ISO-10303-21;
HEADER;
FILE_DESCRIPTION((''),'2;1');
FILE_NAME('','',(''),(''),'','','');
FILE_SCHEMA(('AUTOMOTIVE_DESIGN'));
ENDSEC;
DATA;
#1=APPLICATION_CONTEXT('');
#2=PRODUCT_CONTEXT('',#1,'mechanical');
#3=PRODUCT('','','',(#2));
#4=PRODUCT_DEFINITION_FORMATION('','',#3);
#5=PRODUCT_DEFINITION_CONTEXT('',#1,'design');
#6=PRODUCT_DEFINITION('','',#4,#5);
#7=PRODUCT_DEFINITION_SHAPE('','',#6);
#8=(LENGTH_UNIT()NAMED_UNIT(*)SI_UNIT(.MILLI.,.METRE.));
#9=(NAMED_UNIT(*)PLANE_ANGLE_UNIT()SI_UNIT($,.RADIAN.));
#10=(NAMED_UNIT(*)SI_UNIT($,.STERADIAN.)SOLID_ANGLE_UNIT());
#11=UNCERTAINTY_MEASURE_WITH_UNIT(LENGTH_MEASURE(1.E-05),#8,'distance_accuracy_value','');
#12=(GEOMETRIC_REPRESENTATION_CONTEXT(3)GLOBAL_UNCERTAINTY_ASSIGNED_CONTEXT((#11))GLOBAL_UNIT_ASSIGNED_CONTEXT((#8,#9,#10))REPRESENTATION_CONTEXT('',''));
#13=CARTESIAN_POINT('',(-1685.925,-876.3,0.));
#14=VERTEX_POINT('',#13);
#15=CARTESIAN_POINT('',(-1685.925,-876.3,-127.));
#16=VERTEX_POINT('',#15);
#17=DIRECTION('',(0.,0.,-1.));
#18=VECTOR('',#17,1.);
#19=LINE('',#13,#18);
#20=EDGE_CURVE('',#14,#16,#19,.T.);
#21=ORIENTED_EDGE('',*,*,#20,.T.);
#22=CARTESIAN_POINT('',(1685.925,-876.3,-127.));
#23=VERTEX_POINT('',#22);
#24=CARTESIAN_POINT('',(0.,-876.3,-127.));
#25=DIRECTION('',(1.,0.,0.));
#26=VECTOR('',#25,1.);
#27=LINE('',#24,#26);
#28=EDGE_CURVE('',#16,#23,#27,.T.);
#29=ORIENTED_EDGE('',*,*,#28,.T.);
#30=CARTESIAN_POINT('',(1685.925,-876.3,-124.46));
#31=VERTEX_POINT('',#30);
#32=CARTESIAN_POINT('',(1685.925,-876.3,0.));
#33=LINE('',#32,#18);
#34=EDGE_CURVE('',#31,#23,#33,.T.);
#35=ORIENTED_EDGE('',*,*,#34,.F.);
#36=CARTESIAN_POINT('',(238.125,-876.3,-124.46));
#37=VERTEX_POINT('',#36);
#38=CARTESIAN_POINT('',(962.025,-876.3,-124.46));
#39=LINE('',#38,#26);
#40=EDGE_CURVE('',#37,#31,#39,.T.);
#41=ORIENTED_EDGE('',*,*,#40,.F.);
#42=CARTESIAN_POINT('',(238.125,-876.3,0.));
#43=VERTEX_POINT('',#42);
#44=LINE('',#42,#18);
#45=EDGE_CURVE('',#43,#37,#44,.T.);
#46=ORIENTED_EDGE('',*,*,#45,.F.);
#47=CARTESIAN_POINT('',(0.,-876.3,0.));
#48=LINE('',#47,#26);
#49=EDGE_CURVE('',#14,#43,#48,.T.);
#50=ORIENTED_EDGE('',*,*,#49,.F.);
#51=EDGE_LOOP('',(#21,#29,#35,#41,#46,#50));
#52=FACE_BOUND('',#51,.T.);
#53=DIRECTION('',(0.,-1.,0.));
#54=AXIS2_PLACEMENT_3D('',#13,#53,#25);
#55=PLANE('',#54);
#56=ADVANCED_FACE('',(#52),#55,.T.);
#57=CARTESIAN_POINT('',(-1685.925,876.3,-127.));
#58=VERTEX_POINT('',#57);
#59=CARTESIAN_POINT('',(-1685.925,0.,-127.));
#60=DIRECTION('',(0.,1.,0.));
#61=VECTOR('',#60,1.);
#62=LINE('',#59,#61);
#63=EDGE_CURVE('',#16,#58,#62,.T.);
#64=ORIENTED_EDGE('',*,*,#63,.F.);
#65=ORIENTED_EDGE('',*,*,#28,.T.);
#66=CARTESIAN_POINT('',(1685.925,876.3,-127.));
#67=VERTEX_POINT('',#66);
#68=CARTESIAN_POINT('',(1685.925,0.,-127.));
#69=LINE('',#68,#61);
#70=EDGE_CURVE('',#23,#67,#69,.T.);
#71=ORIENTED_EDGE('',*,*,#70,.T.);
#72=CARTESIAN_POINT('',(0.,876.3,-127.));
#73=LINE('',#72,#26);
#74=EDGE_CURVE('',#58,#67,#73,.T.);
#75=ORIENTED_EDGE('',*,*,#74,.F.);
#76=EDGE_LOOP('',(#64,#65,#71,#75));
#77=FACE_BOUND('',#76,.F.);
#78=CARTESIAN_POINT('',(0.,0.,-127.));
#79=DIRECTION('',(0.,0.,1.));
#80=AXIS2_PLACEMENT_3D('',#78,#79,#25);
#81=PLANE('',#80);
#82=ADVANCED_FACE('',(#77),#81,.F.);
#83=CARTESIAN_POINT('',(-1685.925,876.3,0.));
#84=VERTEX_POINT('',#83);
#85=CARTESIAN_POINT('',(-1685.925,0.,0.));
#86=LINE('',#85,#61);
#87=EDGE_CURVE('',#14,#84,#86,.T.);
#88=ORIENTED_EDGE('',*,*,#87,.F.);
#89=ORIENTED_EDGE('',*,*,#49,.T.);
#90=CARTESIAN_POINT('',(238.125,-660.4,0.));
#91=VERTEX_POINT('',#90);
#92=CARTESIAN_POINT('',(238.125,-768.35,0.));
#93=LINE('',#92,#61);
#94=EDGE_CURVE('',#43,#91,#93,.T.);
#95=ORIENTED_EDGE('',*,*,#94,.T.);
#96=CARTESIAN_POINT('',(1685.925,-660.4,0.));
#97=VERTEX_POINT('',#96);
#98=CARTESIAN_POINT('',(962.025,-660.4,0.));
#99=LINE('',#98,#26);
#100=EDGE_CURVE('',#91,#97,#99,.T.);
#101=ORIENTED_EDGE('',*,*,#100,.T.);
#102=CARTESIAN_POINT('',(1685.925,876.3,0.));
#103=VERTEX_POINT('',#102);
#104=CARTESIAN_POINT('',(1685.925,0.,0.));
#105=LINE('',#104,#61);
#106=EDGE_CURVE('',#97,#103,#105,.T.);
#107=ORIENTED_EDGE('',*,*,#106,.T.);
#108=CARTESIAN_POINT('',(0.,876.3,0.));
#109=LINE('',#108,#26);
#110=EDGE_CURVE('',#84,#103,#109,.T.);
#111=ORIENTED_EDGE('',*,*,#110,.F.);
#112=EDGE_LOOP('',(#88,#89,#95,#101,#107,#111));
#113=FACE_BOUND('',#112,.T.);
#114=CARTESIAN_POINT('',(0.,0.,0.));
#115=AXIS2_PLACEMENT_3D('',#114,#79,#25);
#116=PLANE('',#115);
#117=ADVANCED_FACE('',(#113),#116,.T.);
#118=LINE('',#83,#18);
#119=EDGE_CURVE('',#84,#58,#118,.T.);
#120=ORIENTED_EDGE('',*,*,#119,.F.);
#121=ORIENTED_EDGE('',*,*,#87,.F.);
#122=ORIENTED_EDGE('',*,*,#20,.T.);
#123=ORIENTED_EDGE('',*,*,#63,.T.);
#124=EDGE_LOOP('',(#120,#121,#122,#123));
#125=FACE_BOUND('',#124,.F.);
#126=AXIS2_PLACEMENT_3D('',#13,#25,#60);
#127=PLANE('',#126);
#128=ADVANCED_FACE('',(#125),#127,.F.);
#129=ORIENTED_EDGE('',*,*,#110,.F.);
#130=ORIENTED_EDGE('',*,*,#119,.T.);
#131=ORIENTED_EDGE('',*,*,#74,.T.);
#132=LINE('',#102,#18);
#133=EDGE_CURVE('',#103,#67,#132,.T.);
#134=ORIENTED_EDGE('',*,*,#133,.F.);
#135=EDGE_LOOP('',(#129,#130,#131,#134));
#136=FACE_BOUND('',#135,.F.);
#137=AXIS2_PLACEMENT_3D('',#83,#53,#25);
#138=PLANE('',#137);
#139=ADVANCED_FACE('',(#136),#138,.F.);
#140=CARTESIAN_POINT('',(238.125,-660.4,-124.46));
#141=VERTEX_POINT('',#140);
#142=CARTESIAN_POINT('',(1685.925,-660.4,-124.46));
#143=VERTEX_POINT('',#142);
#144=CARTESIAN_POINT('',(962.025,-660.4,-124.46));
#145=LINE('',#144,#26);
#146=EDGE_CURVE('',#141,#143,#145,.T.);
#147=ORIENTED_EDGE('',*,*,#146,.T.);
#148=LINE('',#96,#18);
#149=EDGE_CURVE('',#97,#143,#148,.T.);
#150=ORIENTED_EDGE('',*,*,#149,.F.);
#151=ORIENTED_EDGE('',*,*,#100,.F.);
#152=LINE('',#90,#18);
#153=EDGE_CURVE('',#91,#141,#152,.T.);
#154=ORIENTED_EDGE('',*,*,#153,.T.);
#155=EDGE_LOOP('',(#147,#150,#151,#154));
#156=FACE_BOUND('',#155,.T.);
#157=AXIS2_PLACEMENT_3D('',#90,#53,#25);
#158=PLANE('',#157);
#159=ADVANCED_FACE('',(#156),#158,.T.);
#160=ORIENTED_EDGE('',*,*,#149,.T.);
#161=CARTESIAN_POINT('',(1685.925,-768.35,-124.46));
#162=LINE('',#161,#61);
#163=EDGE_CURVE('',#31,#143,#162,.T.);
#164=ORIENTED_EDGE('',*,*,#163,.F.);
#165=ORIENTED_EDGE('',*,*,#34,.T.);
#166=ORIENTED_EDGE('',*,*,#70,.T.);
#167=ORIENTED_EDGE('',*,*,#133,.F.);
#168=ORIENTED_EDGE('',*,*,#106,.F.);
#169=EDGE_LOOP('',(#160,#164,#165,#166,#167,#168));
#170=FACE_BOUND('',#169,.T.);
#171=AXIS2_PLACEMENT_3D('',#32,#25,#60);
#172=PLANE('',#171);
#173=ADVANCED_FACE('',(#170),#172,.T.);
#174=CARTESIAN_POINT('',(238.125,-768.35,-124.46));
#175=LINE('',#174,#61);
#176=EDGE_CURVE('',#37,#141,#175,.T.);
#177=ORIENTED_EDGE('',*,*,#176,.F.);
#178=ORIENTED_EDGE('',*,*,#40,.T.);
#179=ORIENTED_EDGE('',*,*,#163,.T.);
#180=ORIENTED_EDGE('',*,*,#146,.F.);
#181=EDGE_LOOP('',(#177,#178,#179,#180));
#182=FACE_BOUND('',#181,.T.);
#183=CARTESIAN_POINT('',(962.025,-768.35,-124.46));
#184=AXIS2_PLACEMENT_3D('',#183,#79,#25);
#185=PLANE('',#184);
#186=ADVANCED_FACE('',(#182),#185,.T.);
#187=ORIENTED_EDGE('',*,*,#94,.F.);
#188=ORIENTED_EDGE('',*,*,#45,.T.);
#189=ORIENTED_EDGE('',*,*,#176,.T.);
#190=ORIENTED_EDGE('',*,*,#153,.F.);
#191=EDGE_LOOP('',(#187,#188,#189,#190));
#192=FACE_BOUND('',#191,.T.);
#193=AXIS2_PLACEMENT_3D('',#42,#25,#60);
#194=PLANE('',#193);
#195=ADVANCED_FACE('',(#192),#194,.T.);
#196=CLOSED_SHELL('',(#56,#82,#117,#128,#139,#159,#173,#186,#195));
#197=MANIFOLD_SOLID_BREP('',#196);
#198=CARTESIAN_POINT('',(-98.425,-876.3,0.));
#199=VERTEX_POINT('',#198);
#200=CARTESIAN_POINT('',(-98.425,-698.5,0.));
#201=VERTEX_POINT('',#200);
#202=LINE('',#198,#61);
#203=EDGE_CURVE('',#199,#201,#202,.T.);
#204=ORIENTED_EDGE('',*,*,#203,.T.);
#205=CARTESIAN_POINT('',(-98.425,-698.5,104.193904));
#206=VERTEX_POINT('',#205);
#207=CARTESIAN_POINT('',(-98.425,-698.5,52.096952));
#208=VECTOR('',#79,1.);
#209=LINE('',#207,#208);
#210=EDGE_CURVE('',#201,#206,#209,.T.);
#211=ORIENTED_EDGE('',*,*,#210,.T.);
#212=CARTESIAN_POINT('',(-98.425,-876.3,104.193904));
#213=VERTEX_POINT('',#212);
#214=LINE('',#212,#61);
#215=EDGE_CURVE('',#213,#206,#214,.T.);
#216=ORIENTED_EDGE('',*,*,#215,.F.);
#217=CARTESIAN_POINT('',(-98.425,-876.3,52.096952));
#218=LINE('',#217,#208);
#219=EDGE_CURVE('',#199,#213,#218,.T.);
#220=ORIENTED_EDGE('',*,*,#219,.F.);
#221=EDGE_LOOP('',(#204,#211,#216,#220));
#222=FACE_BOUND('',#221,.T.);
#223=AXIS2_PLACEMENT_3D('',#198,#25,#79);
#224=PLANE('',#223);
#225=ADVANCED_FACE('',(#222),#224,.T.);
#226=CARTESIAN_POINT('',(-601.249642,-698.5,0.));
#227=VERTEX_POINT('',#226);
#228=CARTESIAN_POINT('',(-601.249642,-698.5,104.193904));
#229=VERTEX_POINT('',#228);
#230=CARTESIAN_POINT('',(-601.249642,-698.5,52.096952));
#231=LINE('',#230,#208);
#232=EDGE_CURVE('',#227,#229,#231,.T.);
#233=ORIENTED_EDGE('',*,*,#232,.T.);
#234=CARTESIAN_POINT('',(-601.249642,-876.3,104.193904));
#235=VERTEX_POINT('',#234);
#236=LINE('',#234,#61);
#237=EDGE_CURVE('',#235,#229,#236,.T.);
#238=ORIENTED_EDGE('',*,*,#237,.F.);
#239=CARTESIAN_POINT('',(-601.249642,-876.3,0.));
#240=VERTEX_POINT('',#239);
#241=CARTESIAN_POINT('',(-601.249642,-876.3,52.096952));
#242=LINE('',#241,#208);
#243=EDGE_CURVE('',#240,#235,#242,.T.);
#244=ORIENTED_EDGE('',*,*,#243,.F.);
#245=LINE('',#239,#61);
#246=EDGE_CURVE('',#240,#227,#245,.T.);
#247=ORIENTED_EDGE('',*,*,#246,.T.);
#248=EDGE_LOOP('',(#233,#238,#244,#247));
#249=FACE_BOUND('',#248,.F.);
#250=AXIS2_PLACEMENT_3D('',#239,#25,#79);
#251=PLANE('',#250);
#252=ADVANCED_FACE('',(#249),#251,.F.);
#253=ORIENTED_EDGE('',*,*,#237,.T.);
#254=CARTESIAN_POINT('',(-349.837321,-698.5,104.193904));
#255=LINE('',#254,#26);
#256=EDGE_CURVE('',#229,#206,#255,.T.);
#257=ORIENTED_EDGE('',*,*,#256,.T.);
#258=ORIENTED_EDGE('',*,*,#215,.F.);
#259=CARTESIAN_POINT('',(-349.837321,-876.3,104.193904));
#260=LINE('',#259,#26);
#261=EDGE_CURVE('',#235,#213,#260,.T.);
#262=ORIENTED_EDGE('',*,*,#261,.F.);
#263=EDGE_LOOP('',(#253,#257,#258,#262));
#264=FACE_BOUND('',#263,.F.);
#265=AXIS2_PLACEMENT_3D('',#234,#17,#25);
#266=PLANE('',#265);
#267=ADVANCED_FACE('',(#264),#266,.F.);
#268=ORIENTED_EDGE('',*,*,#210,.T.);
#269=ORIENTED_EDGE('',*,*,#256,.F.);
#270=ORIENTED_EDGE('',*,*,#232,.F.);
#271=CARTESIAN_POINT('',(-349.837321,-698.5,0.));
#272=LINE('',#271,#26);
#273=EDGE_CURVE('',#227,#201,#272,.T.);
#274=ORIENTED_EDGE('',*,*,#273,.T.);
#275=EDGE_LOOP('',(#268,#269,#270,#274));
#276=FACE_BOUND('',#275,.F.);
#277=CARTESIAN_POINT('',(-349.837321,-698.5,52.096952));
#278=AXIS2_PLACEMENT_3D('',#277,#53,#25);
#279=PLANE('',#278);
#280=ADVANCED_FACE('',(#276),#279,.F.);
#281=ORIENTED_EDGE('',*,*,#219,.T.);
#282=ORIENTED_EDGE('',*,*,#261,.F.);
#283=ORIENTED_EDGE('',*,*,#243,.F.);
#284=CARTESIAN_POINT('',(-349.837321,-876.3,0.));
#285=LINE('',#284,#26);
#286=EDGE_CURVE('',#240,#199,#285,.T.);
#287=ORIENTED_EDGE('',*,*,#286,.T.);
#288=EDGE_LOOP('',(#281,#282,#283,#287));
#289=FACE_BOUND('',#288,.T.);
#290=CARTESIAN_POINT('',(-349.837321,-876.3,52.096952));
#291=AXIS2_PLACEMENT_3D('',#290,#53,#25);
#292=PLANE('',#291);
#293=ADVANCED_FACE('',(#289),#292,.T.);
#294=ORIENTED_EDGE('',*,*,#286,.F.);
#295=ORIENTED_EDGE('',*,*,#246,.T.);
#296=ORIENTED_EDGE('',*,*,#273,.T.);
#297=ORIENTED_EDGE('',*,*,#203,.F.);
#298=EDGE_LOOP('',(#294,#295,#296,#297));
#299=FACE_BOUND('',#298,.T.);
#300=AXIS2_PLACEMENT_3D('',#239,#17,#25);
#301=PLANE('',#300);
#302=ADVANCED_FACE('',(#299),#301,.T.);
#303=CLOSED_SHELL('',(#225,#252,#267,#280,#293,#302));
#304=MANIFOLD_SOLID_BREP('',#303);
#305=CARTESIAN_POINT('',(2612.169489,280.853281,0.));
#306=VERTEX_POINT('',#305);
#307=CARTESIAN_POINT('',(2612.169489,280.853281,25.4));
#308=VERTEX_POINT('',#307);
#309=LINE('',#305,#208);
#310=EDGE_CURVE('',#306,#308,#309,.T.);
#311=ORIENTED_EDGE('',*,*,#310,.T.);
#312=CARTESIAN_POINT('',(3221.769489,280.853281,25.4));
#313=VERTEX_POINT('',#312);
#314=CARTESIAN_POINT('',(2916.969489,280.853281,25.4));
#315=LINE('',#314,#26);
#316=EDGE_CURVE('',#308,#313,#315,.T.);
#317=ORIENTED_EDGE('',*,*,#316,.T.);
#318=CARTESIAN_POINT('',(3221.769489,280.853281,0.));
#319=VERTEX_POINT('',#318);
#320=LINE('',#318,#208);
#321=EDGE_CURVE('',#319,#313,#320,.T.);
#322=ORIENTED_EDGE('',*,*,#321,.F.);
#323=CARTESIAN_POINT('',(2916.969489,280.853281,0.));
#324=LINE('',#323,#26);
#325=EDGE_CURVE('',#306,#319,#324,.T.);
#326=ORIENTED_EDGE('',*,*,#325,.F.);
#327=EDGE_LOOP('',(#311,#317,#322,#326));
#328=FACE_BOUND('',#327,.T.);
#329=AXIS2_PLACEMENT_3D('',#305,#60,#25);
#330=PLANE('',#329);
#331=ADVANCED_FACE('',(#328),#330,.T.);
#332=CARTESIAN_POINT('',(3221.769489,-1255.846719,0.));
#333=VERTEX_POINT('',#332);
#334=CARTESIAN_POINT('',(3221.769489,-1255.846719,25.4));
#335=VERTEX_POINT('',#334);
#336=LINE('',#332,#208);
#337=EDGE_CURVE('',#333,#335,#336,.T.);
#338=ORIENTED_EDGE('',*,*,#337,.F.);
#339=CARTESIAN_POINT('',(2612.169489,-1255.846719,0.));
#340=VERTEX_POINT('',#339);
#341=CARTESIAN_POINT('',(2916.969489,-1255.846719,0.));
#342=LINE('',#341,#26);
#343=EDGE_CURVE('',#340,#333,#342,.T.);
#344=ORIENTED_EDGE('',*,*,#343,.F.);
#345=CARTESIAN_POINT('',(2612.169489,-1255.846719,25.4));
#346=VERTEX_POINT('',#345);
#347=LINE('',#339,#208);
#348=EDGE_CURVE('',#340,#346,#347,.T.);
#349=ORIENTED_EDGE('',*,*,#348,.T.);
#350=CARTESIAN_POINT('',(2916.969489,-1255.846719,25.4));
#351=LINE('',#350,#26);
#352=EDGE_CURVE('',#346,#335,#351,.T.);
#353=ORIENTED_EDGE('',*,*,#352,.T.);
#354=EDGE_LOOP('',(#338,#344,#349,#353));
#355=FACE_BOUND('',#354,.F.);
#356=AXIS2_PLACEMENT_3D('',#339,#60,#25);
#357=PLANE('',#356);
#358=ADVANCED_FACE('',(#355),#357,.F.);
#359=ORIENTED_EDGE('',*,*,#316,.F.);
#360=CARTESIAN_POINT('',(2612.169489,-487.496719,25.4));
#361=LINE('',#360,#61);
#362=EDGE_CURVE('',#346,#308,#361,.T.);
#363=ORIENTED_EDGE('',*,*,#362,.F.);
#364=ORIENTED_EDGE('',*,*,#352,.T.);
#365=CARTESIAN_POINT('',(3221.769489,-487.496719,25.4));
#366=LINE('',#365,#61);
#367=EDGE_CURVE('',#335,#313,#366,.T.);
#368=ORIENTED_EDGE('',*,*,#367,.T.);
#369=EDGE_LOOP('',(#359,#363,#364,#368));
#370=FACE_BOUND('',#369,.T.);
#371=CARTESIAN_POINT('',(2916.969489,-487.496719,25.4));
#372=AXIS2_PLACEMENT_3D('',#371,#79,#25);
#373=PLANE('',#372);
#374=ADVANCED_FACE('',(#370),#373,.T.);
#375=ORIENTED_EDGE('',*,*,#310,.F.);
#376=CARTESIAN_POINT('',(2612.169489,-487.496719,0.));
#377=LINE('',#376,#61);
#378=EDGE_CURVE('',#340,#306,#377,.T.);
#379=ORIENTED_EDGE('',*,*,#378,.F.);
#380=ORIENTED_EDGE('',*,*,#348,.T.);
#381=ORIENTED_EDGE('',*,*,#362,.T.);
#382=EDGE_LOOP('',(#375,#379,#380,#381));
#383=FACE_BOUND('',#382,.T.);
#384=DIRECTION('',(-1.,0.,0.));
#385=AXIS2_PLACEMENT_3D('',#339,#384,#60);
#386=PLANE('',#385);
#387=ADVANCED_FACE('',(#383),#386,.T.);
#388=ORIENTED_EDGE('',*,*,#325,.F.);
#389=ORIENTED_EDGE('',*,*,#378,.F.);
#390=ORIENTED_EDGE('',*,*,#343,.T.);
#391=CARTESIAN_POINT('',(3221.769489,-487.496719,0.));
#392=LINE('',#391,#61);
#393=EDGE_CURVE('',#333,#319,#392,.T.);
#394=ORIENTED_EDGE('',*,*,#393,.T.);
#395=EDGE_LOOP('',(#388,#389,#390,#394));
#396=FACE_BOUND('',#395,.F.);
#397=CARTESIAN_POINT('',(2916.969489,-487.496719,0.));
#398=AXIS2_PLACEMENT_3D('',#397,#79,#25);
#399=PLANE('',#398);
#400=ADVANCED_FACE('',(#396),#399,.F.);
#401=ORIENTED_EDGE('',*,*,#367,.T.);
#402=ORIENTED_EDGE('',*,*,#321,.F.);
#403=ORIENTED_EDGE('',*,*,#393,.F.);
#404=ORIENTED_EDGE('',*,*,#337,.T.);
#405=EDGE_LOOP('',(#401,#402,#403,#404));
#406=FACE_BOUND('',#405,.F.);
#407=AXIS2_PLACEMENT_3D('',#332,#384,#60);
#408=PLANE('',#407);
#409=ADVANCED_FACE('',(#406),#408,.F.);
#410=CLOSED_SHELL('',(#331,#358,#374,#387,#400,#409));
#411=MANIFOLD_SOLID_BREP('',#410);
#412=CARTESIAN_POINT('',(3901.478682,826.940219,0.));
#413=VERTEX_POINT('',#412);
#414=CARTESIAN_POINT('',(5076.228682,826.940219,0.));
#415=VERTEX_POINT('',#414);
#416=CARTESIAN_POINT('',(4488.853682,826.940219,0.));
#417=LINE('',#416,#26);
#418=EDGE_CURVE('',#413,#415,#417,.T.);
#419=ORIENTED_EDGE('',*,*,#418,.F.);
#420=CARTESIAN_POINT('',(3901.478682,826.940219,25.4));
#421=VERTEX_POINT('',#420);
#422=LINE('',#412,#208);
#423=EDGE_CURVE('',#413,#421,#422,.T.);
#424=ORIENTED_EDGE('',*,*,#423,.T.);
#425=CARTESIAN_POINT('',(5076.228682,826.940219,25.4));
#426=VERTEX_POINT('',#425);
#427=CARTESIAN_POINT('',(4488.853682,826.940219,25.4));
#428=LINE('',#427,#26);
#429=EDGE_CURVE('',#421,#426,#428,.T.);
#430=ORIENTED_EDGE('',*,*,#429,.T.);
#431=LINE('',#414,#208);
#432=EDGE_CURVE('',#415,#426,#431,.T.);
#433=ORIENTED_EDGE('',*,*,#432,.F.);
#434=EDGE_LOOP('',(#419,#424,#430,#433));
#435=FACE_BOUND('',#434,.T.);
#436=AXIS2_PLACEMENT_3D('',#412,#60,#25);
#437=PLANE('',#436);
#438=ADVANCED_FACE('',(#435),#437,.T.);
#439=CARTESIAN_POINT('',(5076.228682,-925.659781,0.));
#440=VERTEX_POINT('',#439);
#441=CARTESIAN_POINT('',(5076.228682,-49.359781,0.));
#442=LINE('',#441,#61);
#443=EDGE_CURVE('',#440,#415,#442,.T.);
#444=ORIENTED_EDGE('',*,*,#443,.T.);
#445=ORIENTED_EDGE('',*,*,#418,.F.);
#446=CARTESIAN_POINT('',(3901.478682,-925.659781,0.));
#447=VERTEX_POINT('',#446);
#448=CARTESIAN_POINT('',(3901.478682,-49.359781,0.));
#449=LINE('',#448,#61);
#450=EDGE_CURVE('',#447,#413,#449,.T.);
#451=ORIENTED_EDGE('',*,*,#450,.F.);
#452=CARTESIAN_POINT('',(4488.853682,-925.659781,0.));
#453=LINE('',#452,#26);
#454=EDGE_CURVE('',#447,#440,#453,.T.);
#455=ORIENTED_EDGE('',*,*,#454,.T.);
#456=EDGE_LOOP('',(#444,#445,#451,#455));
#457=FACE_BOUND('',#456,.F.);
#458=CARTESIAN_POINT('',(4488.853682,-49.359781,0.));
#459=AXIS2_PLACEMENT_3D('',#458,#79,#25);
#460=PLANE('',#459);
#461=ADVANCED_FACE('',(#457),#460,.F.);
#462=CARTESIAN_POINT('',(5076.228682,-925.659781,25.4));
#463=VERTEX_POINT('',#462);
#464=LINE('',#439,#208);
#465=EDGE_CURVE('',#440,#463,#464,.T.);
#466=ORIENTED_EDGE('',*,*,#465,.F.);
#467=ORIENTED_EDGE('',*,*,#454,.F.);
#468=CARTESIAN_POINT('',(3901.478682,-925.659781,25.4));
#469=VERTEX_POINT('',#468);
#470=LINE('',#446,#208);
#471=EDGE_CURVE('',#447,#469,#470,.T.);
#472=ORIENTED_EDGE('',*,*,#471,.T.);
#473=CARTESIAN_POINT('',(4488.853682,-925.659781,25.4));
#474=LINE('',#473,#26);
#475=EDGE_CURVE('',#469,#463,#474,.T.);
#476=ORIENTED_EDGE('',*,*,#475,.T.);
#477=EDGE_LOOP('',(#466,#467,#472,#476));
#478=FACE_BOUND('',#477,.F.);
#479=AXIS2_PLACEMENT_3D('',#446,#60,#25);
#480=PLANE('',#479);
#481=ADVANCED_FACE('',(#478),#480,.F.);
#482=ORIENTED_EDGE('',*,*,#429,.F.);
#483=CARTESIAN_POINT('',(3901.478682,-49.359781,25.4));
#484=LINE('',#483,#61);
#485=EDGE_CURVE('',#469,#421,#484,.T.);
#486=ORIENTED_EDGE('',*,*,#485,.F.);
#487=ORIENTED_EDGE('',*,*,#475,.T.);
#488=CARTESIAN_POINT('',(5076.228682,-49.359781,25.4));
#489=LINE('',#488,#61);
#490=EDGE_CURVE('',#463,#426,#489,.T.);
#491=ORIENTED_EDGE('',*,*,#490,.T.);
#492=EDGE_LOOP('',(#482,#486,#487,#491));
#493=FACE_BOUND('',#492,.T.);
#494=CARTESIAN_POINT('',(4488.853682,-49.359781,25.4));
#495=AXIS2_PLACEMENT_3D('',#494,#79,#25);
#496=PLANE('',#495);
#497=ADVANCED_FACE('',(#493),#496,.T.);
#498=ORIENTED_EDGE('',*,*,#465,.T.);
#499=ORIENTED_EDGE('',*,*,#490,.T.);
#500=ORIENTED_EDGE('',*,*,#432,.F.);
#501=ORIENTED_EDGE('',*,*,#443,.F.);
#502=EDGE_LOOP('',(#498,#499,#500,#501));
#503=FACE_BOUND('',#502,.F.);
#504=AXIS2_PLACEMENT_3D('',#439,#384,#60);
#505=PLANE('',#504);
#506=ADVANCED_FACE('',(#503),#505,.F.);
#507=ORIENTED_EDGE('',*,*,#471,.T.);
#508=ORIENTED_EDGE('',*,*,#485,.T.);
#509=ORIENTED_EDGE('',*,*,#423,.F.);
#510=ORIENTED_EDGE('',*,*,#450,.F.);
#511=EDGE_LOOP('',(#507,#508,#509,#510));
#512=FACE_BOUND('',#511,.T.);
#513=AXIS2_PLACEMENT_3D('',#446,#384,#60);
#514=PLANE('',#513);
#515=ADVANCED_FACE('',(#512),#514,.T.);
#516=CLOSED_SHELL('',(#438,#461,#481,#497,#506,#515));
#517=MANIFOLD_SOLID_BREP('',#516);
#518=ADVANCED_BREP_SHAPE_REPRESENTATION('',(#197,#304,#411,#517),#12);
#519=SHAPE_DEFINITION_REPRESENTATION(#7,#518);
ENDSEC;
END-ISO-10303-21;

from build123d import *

# Parameters (mm, degrees)
F0_W     = 3371.85
F0_H     = 1752.6
F1_DEPTH = 127
F2_W     = 1447.8
F2_H     = 215.9
F3_DEPTH = 124.46
F4_W     = 502.824642
F4_H     = 104.193904
F5_DEPTH = 177.8
F6_W     = 609.6
F6_H     = 1536.7
F7_DEPTH = 25.4
F8_W     = 1174.75
F8_H     = 1752.6
F9_DEPTH = 25.4


with BuildPart() as f1:
    # F0 (on Top) → F1 (new body)
    with BuildSketch(Plane.XY):
        Rectangle(F0_W, F0_H)
    extrude(amount=-F1_DEPTH)

    # F2 (on face) → F3 (cut)
    with BuildSketch(Plane.XY):
        with Locations((962.025, -768.35)):
            Rectangle(F2_W, F2_H)
    extrude(amount=-F3_DEPTH, mode=Mode.SUBTRACT)


with BuildPart() as f5:
    # F4 (on face) → F5 (new body)
    with BuildSketch(Plane.XZ.offset(876.3)):
        with Locations((-349.837321, 52.096952)):
            Rectangle(F4_W, F4_H)
    extrude(amount=-F5_DEPTH)


with BuildPart() as f7:
    # F6 (on face) → F7 (new body)
    with BuildSketch(Plane.XY):
        with Locations((2916.969489, -487.496719)):
            Rectangle(F6_W, F6_H)
    extrude(amount=F7_DEPTH)


with BuildPart() as f9:
    # F8 (on face) → F9 (new body)
    with BuildSketch(Plane.XY):
        with Locations((4488.853682, -49.359781)):
            Rectangle(F8_W, F8_H)
    extrude(amount=F9_DEPTH)


solid = Compound([f1.part, f5.part, f7.part, f9.part])
